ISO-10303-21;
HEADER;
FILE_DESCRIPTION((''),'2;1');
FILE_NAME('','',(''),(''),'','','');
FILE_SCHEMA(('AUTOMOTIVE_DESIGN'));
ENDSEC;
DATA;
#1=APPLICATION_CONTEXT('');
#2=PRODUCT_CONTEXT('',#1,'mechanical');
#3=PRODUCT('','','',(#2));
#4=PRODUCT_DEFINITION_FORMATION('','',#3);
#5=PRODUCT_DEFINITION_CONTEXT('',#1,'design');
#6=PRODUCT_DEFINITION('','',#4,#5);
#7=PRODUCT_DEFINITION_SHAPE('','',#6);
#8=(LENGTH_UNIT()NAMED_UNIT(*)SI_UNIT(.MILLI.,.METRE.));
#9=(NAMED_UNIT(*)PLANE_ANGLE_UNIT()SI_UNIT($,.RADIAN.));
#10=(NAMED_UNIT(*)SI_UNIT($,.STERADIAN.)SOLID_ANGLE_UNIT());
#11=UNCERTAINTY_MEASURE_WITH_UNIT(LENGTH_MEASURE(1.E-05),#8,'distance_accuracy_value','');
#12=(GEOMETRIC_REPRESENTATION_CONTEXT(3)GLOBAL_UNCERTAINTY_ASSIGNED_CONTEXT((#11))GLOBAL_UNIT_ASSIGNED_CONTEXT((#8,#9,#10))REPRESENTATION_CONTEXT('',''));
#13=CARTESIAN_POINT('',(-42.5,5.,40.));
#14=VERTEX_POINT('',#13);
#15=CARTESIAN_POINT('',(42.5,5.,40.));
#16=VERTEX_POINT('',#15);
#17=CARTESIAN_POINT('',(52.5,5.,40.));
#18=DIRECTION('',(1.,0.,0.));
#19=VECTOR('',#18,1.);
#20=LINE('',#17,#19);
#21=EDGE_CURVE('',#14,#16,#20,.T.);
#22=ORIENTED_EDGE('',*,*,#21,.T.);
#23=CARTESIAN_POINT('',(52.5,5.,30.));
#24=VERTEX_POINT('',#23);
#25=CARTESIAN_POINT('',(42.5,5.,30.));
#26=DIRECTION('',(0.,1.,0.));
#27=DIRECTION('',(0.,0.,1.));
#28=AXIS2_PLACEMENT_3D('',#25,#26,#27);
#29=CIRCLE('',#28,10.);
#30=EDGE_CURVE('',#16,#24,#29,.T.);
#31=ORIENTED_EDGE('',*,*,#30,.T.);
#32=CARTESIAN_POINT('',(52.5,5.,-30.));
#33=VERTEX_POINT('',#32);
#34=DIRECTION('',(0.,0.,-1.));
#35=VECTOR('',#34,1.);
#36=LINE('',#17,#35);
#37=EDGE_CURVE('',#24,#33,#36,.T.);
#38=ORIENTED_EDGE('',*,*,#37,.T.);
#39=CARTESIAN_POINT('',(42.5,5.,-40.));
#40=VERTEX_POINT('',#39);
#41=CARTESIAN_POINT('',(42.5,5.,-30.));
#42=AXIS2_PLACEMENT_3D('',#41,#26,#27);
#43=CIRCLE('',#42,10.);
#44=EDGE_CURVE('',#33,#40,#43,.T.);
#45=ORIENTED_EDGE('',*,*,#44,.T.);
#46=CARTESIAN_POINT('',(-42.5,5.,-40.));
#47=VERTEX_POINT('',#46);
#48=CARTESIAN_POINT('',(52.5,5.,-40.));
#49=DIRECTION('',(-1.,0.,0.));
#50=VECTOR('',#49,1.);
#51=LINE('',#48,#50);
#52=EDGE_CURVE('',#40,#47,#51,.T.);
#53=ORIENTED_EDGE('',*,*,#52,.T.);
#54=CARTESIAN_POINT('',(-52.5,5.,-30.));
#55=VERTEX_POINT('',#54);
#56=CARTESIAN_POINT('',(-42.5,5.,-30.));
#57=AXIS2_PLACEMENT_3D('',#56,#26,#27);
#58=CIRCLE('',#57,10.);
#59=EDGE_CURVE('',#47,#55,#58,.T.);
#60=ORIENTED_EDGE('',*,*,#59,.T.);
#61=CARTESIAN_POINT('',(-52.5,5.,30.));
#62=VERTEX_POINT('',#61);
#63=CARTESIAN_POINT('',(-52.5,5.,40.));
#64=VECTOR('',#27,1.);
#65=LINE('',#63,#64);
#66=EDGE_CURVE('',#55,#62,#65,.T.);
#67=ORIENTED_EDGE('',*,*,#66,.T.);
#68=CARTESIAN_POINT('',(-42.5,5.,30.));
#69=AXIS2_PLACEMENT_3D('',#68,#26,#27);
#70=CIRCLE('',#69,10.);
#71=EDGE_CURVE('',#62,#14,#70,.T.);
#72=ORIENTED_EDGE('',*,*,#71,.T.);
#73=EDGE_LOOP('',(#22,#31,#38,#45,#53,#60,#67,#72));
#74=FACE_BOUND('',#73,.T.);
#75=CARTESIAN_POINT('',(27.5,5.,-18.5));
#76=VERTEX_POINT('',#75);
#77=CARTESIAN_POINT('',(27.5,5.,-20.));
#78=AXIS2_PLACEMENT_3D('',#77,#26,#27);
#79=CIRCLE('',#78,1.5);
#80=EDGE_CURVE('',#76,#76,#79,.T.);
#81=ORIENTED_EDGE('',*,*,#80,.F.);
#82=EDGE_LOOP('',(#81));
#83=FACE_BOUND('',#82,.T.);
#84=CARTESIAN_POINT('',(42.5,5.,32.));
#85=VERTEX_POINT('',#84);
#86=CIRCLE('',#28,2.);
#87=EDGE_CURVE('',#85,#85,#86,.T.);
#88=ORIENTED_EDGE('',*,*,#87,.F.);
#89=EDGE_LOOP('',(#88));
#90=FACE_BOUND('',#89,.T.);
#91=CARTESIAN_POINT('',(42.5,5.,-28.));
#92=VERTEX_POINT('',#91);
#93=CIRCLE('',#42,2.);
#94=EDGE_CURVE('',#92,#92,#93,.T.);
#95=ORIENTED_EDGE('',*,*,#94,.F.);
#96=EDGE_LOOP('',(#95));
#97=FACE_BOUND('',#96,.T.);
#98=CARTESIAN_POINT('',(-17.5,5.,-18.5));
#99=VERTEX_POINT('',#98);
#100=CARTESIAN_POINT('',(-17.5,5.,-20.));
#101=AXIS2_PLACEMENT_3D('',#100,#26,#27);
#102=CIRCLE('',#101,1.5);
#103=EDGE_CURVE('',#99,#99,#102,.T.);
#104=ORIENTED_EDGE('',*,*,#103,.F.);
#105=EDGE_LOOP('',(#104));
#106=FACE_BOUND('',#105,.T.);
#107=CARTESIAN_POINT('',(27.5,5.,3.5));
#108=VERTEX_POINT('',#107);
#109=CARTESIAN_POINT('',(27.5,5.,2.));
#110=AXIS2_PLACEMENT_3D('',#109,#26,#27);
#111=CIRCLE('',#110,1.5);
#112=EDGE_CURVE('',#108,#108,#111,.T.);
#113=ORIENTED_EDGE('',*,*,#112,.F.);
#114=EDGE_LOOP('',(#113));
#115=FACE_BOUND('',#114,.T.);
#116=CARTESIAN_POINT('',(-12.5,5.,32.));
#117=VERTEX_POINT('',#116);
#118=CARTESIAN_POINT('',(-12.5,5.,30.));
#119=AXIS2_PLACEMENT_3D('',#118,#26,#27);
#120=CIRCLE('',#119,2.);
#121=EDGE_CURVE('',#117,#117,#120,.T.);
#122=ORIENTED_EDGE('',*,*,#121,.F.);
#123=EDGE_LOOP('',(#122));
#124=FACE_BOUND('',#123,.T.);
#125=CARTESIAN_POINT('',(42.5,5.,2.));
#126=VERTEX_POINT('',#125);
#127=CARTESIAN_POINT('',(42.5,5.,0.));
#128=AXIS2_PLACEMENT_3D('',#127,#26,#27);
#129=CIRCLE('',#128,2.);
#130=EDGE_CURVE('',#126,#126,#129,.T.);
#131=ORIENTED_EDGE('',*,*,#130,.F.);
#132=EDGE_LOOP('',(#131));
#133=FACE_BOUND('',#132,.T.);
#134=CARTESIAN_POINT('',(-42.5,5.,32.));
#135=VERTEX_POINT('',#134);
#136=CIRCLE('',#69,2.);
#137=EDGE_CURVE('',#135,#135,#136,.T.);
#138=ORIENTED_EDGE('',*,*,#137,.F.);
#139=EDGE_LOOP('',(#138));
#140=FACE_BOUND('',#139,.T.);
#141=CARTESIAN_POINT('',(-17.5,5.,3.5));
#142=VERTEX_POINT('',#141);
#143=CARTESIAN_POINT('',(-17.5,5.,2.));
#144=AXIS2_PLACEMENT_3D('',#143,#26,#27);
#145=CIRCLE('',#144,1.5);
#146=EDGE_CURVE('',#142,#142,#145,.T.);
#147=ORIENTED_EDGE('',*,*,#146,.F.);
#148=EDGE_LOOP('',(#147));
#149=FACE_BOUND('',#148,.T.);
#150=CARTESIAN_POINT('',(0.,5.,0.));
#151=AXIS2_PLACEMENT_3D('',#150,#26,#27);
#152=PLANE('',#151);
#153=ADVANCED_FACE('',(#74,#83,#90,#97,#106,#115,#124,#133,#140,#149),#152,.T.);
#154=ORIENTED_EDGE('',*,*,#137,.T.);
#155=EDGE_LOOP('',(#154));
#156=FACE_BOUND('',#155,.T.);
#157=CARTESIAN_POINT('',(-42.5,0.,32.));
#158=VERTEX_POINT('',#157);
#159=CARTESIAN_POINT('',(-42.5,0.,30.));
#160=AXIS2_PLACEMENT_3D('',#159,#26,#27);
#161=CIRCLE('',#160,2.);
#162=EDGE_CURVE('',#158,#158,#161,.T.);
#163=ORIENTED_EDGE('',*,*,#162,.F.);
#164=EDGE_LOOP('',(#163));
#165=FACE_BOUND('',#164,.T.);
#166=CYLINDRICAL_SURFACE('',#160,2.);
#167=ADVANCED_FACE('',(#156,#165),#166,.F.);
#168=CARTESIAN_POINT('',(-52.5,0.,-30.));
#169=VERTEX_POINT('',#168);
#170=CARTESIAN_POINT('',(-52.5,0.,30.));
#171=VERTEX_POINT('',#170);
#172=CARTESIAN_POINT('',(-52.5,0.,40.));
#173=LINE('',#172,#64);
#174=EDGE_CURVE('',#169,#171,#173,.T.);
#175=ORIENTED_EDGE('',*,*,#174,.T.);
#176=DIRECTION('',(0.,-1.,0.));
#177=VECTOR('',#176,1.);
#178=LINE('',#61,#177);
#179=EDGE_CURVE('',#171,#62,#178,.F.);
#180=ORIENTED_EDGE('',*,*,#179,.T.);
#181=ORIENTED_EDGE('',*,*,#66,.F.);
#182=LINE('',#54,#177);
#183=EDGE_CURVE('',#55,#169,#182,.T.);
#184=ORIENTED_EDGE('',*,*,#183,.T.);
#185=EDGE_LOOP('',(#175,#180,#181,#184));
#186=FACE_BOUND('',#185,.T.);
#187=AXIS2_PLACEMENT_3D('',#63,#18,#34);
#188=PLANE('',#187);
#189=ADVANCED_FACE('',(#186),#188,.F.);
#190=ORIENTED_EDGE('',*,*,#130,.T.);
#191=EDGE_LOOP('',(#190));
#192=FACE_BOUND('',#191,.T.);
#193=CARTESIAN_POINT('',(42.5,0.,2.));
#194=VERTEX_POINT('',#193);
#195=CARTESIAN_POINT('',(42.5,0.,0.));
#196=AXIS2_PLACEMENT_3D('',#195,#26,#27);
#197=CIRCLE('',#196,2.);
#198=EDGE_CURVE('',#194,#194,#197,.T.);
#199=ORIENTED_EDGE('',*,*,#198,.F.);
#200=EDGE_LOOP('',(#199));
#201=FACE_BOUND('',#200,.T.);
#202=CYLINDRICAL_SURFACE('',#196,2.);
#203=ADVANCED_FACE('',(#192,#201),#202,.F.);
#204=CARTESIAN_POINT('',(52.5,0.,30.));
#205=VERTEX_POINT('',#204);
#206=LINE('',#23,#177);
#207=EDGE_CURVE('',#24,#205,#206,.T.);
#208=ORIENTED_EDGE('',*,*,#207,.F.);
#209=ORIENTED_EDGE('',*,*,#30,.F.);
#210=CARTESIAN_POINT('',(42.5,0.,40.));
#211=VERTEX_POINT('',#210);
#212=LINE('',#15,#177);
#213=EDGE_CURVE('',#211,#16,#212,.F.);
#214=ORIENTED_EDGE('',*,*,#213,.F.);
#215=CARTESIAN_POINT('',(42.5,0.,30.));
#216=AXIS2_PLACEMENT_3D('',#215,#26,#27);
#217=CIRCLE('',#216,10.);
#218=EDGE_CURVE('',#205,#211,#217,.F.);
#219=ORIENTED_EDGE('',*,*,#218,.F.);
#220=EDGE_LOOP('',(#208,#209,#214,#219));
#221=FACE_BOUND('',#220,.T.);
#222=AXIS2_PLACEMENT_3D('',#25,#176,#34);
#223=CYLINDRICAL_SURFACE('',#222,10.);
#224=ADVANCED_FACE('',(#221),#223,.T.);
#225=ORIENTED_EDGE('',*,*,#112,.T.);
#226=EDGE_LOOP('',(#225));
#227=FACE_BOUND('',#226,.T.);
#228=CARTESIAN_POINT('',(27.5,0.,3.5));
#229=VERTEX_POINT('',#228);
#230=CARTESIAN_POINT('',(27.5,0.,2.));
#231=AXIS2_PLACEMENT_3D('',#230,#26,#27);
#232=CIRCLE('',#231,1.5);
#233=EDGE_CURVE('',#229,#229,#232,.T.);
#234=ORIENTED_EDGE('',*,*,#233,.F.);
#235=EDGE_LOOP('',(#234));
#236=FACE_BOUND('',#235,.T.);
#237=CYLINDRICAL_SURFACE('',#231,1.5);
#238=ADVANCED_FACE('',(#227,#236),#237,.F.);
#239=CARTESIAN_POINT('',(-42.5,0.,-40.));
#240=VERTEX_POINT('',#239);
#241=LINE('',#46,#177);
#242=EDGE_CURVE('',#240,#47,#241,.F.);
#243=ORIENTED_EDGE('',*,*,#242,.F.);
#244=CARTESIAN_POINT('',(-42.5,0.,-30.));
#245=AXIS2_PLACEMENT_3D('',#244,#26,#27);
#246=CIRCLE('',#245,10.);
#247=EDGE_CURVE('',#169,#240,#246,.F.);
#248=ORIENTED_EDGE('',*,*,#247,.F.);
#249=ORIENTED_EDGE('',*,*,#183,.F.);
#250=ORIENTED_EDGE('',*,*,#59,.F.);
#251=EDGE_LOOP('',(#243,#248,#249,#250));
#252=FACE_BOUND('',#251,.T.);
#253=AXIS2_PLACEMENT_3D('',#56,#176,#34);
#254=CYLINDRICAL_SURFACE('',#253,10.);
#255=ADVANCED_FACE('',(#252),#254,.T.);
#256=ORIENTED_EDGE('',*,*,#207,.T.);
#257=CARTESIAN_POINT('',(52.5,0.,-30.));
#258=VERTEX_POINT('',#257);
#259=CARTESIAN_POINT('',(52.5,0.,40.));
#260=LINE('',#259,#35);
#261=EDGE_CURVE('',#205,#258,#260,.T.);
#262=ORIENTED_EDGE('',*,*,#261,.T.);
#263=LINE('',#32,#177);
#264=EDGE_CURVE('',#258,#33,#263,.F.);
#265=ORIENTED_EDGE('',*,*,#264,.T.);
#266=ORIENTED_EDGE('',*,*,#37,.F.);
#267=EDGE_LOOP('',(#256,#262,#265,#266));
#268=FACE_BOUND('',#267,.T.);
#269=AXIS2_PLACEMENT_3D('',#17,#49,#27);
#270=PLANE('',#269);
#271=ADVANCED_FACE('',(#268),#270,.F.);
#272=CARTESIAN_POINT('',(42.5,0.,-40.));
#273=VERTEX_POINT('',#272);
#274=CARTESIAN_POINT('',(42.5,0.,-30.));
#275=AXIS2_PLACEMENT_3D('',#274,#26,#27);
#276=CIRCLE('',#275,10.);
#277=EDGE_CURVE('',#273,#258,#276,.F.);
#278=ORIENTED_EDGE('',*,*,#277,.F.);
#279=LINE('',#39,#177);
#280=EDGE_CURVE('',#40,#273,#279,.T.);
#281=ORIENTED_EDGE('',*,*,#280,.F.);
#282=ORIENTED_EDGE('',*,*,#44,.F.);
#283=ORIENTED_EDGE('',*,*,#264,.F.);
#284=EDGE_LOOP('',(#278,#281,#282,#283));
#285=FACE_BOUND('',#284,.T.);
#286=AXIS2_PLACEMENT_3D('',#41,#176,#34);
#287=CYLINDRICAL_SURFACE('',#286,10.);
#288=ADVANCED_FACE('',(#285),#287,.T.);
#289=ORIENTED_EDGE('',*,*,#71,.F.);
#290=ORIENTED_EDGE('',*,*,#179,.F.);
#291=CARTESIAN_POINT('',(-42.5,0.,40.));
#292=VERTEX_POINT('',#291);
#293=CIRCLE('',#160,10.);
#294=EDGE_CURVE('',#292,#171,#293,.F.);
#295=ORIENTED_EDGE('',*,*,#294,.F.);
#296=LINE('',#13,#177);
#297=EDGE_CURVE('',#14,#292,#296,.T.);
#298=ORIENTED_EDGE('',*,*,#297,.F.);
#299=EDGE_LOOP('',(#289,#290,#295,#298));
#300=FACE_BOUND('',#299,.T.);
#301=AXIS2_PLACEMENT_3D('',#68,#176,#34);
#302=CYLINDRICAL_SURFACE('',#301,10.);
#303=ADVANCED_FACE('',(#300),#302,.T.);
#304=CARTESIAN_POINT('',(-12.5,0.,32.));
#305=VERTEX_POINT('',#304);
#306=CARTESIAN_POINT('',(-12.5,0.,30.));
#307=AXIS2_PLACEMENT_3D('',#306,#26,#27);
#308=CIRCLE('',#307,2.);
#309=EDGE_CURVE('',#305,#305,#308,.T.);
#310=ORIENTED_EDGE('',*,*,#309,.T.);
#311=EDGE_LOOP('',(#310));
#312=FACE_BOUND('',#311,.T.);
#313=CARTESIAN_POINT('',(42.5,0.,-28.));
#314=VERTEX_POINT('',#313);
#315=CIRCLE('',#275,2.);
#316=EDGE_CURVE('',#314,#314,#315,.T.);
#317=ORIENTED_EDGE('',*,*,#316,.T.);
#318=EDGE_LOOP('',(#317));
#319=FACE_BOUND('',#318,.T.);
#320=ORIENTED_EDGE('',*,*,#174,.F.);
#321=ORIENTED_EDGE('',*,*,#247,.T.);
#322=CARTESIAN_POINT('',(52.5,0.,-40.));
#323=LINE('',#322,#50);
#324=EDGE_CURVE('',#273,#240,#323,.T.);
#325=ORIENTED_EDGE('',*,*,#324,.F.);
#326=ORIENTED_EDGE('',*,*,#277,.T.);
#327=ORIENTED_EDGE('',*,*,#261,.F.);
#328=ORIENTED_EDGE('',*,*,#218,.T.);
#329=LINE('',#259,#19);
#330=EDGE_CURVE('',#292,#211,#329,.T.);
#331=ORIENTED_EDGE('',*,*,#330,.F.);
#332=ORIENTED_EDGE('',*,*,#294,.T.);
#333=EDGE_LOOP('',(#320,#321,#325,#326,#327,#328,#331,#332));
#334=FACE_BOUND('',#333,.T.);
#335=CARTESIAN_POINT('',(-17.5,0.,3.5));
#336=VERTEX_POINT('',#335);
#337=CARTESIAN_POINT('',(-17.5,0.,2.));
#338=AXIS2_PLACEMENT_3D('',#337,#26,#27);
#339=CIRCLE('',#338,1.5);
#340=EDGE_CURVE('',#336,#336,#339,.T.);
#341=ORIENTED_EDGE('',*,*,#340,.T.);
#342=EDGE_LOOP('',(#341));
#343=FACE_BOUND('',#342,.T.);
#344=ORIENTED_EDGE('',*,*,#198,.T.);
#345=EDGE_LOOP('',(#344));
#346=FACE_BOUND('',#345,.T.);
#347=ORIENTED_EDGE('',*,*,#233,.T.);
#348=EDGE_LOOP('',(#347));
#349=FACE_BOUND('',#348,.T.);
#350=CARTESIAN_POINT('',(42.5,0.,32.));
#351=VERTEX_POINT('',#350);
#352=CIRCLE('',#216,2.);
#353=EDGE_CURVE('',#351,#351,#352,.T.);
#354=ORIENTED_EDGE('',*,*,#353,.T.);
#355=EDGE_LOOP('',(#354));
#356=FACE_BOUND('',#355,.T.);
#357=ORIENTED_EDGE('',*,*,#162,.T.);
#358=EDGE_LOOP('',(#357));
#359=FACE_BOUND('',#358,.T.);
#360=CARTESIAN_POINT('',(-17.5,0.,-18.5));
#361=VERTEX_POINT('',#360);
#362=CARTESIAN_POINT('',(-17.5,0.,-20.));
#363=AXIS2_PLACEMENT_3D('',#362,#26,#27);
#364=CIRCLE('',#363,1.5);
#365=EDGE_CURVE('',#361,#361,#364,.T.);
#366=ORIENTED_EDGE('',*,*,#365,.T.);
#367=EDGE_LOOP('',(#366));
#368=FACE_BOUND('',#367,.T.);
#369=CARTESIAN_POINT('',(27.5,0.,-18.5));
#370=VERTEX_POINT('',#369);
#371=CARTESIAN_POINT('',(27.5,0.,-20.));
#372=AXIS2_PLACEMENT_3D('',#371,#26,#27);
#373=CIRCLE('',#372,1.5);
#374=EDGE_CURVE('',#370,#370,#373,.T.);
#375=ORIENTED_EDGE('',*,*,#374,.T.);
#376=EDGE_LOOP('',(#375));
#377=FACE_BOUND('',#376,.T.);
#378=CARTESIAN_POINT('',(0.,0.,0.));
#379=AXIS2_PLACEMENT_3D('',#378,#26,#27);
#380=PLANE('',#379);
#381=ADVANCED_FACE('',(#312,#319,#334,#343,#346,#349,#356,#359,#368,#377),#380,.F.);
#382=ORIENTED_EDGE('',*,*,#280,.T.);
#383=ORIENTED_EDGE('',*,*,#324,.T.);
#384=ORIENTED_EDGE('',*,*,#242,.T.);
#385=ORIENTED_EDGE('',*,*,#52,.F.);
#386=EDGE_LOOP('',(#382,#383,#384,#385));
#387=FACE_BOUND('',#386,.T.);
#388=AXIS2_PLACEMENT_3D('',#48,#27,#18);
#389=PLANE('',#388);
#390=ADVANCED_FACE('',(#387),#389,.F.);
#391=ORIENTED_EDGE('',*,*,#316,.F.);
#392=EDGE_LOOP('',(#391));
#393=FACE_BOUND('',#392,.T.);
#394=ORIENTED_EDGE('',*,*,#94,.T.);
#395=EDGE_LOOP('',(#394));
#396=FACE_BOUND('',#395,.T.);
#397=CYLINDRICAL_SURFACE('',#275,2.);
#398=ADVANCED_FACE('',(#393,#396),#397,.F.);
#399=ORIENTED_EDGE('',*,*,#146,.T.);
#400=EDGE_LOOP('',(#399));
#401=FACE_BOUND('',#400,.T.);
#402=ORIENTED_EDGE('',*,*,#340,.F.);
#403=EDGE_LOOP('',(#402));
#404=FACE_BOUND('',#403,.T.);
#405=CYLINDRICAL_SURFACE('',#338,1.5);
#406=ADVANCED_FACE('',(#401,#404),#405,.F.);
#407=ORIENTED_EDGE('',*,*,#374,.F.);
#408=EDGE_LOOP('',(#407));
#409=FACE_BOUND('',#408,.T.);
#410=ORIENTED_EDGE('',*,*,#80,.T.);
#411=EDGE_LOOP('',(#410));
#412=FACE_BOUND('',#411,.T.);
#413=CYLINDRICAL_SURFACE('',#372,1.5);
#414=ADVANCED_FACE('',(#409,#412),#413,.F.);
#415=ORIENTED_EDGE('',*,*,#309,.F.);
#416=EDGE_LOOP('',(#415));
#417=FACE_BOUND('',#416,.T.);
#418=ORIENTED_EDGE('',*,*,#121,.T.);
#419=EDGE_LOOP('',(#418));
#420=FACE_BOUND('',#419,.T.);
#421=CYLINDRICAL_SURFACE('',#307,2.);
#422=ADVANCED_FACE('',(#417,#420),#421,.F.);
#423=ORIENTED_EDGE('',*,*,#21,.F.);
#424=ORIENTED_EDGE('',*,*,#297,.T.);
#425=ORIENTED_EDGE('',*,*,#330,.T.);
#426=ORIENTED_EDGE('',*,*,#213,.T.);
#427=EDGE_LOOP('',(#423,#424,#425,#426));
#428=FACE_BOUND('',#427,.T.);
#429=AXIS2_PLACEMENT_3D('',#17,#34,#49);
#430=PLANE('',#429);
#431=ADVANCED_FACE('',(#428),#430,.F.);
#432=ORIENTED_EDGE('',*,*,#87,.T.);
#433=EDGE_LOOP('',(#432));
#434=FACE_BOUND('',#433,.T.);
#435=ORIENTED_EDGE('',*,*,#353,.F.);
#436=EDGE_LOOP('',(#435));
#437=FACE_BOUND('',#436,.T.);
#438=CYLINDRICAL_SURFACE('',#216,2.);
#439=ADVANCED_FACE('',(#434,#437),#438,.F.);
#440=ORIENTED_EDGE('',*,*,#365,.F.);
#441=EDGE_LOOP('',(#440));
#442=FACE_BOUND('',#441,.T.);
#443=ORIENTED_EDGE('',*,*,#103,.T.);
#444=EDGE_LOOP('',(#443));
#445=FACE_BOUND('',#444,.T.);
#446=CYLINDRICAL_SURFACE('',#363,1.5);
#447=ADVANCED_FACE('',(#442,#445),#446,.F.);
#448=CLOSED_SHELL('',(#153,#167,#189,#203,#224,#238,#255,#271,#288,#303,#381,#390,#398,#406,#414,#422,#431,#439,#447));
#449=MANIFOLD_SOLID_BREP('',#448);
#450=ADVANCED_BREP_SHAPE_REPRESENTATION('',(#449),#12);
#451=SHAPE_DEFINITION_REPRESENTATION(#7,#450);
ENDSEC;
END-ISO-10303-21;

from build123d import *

# Parameters (mm, degrees)
SKETCH_1_W          = 105
SKETCH_1_H          = 80
EXTRUDE_1_DEPTH     = 5
SKETCH_2_R          = 1.5
CUT_EXTRUDE_1_DEPTH = 67.191011474
SKETCH_3_R          = 2
CUT_EXTRUDE_2_DEPTH = 5
FILLET_1_R          = 10


with BuildPart() as part:
    # 草图1 → 凸台-拉伸1 (new body)
    with BuildSketch(Plane(origin=(0, 0, 0), x_dir=(1, 0, 0), z_dir=(0, 1, 0))):
        Rectangle(SKETCH_1_W, SKETCH_1_H)
    extrude(amount=EXTRUDE_1_DEPTH)

    # 草图2 → 切除-拉伸1 (cut, through all)
    with BuildSketch(Plane(origin=(0, 5, 0), x_dir=(1, 0, 0), z_dir=(0, 1, 0))):
        with Locations(Location((-17.5, 20, 0), (0, 0, 270))):
            Circle(SKETCH_2_R)
        with Locations(Location((27.5, 20, 0), (0, 0, 270))):
            Circle(SKETCH_2_R)
        with Locations(Location((27.5, -2, 0), (0, 0, 270))):
            Circle(SKETCH_2_R)
        with Locations(Location((-17.5, -2, 0), (0, 0, 270))):
            Circle(SKETCH_2_R)
    extrude(amount=-CUT_EXTRUDE_1_DEPTH, mode=Mode.SUBTRACT)

    # 草图3 → 切除-拉伸2 (cut)
    with BuildSketch(Plane(origin=(0, 5, 0), x_dir=(1, 0, 0), z_dir=(0, 1, 0))):
        with Locations(Location((-12.5, -30, 0), (0, 0, 270))):
            Circle(SKETCH_3_R)
        with Locations(Location((-42.5, -30, 0), (0, 0, 270))):
            Circle(SKETCH_3_R)
        with Locations(Location((42.5, 0, 0), (0, 0, 270))):
            Circle(SKETCH_3_R)
        with Locations(Location((42.5, 30, 0), (0, 0, 270))):
            Circle(SKETCH_3_R)
        with Locations(Location((42.5, -30, 0), (0, 0, 270))):
            Circle(SKETCH_3_R)
    extrude(amount=-CUT_EXTRUDE_2_DEPTH, mode=Mode.SUBTRACT)

    # 圆角1
    fillet_1_edges = [part.edges().sort_by_distance(p)[0] for p in [
        (-52.5, 2.5, -40),
        (52.5, 2.5, -40),
        (52.5, 2.5, 40),
        (-52.5, 2.5, 40),
    ]]
    fillet(fillet_1_edges, radius=FILLET_1_R)


solid = part.part
